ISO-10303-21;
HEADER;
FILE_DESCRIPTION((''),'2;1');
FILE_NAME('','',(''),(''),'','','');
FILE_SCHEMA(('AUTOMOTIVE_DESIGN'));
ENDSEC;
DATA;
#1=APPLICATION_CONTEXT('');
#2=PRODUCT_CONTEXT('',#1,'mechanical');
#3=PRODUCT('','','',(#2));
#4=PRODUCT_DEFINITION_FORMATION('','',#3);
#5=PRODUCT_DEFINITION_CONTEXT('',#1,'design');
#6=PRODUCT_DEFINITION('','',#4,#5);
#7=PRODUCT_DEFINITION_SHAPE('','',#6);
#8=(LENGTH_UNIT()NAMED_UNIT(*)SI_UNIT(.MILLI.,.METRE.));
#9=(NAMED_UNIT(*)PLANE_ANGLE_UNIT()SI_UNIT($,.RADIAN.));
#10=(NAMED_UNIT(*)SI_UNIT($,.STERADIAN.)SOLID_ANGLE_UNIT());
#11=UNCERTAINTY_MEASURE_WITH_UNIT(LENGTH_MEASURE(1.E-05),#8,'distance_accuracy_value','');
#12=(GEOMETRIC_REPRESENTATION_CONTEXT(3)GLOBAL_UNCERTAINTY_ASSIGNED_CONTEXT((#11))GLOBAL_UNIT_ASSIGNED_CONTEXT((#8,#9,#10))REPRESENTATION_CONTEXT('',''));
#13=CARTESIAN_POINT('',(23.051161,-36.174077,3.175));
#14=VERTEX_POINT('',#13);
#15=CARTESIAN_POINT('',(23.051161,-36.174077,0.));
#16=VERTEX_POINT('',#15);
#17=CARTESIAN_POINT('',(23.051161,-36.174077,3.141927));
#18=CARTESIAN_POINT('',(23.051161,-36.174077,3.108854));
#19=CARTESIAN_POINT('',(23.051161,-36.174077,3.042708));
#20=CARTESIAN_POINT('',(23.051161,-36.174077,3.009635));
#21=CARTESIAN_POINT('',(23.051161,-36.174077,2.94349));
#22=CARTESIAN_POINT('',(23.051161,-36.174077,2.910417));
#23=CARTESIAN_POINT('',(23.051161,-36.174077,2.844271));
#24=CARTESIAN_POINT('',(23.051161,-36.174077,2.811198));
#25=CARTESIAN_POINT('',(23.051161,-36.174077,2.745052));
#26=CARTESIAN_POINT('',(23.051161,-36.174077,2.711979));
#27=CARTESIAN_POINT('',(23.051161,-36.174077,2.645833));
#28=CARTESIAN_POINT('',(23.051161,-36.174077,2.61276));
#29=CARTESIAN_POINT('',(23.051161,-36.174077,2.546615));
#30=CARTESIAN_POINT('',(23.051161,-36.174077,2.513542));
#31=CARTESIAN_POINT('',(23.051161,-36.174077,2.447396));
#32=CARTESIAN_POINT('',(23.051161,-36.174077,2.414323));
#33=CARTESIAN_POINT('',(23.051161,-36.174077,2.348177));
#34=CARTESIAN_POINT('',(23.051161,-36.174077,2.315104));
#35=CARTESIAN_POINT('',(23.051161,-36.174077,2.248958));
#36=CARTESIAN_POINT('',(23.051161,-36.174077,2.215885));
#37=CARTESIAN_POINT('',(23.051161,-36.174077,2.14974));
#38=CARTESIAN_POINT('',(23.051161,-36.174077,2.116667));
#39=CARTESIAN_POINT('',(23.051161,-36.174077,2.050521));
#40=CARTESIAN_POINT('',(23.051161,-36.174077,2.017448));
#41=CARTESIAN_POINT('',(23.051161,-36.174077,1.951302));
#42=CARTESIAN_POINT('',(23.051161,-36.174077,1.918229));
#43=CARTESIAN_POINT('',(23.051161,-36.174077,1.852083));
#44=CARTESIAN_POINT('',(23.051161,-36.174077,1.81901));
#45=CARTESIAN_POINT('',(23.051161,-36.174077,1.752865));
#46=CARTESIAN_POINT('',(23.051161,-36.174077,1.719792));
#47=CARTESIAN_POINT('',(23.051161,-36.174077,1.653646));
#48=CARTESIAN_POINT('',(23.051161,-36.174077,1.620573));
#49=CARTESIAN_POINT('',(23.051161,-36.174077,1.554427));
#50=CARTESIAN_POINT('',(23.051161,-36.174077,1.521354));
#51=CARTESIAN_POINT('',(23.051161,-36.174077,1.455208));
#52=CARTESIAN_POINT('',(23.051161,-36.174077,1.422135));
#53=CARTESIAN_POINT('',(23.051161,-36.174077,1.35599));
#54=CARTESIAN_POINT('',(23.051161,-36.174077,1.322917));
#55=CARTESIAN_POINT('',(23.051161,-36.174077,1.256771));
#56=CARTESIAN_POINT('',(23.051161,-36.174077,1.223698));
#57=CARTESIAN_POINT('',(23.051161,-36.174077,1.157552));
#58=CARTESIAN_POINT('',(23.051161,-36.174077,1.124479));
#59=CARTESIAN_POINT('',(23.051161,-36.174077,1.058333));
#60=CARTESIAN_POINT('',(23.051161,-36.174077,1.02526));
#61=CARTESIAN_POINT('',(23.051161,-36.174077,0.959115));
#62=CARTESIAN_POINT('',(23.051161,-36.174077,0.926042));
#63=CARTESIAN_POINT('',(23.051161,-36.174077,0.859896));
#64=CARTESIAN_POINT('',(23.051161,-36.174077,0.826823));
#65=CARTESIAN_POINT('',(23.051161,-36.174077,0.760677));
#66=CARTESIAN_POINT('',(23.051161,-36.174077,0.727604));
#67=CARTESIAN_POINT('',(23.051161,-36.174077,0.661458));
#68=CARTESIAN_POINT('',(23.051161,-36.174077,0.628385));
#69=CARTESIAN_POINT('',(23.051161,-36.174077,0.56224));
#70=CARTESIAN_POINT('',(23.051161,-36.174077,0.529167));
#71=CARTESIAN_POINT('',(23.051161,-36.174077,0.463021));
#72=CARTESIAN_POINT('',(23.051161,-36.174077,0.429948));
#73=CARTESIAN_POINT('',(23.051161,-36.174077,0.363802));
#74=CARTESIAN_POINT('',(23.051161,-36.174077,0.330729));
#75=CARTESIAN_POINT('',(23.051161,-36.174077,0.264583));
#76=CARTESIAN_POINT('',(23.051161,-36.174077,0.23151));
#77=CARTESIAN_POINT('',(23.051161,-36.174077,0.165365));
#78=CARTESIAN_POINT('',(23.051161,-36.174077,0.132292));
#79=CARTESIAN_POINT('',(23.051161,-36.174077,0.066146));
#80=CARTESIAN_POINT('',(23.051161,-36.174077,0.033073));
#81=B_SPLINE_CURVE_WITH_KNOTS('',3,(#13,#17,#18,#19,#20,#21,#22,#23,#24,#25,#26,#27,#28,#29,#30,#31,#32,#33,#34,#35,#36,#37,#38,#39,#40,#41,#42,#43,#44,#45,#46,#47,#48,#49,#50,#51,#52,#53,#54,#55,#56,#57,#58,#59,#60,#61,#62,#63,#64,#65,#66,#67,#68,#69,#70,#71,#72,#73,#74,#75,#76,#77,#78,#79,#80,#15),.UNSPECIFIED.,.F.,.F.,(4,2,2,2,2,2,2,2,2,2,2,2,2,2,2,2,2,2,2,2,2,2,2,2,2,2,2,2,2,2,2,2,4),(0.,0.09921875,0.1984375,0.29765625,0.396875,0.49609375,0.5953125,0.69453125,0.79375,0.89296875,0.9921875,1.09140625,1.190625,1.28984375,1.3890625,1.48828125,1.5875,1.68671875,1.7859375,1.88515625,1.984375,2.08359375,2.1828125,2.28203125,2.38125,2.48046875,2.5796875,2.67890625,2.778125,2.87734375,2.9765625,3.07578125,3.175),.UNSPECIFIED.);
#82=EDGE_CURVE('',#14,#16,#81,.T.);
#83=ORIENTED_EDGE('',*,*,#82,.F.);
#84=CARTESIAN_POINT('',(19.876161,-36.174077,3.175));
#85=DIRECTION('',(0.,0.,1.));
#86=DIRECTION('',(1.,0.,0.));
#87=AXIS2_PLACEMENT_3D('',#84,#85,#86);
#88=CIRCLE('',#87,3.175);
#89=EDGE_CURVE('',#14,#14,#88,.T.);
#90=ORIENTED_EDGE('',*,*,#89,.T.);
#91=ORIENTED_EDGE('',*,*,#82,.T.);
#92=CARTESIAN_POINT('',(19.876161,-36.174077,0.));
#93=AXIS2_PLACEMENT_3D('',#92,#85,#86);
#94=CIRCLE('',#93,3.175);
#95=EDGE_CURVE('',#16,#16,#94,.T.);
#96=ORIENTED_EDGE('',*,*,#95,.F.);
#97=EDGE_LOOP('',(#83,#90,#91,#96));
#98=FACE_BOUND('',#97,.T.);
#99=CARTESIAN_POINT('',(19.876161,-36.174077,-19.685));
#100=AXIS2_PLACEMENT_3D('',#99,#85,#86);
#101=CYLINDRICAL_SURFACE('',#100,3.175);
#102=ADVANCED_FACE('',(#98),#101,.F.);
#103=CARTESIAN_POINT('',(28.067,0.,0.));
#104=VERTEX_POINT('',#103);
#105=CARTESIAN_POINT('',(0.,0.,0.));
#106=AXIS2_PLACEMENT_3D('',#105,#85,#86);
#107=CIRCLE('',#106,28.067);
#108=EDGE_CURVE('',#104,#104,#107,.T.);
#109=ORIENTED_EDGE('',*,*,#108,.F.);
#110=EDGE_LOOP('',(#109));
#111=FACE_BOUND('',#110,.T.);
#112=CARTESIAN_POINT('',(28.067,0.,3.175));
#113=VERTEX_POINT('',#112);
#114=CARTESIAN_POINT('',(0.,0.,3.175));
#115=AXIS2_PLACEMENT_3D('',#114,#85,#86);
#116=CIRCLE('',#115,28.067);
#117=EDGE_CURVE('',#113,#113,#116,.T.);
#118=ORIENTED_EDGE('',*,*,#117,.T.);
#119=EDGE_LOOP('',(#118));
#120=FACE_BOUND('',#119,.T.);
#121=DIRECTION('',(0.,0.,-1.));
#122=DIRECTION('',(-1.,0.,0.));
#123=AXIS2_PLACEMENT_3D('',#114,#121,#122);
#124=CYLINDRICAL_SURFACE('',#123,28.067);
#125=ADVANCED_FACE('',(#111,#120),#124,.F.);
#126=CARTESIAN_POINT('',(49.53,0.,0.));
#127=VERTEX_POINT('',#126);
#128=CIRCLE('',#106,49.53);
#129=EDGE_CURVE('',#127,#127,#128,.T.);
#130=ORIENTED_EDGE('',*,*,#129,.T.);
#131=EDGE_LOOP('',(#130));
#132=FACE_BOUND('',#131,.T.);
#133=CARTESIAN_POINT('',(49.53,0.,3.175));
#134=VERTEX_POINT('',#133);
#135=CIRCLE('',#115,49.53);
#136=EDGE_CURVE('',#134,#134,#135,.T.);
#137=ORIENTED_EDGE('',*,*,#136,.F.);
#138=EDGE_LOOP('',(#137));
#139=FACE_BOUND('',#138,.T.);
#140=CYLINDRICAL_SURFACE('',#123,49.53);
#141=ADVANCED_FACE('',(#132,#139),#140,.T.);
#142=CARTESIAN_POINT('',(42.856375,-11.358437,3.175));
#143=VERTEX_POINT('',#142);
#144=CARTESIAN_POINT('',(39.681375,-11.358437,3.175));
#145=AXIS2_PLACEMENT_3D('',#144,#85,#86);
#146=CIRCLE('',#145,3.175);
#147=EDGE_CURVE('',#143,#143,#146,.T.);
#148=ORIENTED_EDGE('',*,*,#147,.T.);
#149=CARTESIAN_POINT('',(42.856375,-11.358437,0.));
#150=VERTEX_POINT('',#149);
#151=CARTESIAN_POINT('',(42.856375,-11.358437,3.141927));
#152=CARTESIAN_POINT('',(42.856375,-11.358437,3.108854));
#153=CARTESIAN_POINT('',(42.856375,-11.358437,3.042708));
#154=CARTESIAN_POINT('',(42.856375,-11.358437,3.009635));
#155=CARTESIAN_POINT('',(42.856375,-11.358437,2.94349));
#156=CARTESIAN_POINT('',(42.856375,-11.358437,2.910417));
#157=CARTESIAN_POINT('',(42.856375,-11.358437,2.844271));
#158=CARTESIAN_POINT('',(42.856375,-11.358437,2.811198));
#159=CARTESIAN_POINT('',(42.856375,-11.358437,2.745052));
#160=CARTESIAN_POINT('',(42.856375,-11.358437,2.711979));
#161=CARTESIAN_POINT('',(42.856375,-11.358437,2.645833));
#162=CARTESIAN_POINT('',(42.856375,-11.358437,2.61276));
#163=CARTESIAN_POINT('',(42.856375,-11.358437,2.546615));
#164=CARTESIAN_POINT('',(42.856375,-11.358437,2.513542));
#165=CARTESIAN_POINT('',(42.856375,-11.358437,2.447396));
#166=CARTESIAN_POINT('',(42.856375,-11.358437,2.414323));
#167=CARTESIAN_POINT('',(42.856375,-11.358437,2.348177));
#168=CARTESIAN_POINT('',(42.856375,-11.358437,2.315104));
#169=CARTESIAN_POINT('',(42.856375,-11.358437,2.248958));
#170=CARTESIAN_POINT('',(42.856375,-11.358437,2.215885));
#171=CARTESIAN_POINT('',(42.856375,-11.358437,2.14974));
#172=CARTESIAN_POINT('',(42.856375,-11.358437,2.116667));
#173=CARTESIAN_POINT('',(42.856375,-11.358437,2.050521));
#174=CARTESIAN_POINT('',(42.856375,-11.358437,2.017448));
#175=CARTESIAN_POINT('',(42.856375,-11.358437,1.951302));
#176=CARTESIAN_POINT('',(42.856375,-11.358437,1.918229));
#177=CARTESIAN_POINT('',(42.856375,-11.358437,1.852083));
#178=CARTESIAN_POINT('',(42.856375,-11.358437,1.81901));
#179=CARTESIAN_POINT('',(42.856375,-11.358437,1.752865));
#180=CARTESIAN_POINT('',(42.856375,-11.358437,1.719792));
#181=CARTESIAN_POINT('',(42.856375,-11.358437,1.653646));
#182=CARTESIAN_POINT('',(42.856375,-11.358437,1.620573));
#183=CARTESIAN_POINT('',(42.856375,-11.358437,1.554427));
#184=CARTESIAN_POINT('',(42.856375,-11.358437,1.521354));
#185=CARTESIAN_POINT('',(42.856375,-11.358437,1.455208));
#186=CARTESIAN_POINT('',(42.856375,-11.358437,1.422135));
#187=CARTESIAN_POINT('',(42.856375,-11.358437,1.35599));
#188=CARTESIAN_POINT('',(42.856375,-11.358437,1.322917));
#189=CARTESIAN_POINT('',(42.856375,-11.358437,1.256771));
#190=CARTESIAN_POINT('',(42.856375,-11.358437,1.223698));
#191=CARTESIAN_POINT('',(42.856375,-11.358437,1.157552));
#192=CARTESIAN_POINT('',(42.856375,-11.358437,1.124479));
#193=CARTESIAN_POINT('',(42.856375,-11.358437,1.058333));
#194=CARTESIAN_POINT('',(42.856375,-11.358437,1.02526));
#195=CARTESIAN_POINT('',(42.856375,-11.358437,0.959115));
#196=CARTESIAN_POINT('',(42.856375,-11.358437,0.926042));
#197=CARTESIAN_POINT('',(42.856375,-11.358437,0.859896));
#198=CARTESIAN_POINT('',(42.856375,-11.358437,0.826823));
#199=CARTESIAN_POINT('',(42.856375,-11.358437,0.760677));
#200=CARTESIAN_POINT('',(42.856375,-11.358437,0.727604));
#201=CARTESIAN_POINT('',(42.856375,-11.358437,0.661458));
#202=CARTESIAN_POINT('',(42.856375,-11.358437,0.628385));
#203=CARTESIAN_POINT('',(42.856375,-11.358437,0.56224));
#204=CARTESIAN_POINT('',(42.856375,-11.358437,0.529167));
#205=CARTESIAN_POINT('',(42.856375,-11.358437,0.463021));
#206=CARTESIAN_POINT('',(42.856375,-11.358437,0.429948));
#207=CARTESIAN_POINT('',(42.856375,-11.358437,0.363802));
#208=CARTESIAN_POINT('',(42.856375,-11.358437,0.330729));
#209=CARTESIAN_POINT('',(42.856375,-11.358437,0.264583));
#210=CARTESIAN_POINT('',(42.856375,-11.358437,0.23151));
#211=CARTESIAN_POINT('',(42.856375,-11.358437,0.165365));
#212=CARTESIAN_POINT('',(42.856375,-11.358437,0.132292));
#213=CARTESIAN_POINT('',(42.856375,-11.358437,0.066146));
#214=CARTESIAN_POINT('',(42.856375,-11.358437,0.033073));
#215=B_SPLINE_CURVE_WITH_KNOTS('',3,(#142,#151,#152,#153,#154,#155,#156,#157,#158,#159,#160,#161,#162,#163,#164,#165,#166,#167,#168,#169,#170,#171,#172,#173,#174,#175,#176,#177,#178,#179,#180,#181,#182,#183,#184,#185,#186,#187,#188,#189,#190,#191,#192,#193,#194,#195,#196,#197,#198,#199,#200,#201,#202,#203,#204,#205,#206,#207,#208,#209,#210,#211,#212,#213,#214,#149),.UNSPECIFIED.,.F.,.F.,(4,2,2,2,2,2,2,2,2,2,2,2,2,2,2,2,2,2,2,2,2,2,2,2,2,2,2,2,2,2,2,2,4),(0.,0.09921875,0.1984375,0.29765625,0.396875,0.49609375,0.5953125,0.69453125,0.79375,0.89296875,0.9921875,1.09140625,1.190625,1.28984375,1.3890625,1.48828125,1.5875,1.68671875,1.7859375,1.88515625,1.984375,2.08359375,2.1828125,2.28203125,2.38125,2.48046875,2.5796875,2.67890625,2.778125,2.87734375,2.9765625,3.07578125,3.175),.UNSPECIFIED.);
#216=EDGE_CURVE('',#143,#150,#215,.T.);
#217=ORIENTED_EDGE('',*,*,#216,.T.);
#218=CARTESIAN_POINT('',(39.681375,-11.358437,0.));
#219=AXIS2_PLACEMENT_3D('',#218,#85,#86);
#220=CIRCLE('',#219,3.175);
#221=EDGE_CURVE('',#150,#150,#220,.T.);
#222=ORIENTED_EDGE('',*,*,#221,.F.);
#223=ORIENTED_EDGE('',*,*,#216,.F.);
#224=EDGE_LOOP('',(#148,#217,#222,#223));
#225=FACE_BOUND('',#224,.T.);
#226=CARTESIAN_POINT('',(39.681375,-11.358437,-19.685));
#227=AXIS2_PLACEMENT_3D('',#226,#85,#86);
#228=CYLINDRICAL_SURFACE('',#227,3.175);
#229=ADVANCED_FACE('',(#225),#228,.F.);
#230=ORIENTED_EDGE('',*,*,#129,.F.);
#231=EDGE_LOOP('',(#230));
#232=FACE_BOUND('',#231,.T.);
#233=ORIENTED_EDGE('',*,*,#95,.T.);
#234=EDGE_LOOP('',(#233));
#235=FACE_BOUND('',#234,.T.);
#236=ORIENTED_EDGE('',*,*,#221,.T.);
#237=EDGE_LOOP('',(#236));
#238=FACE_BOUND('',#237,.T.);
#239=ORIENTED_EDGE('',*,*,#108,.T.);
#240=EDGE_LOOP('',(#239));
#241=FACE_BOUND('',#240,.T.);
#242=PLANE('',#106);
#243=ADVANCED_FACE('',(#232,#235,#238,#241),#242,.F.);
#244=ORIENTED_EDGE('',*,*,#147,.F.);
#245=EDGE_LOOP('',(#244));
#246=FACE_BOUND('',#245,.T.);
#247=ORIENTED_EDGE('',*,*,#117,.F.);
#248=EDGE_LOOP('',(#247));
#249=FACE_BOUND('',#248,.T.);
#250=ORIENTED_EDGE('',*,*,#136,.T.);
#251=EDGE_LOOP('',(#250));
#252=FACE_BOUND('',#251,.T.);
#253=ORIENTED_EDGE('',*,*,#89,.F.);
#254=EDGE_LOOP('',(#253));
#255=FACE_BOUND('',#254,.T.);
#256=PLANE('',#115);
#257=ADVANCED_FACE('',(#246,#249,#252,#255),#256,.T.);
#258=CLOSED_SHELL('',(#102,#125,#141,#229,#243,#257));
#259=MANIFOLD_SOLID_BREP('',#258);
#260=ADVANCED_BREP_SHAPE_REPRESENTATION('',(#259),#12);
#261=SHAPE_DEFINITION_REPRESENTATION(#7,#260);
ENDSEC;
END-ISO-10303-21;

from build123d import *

# Parameters (mm, degrees)
SKETCH1_R           = 49.53
SKETCH1_R_2         = 28.067
BOSS_EXTRUDE1_DEPTH = 3.175
SKETCH2_R           = 3.175
CUT_EXTRUDE1_DEPTH  = 22.86


with BuildPart() as part:
    # Sketch1 → Boss-Extrude1 (new body)
    with BuildSketch(Plane.XY):
        Circle(SKETCH1_R)
        Circle(SKETCH1_R_2, mode=Mode.SUBTRACT)
    extrude(amount=BOSS_EXTRUDE1_DEPTH)

    # Sketch2 → Cut-Extrude1 (cut)
    with BuildSketch(Plane(origin=(182.011125234, -492.106103264, 3.175), x_dir=(0.6237862645633958, 0.7815949693684352, 0), z_dir=(0, 0, 1))):
        with Locations(Location((255.216614788, 411.128007776, 0), (0, 0, 308.593157846))):
            Circle(SKETCH2_R)
        with Locations(Location((286.966614788, 411.128007776, 0), (0, 0, 308.593157846))):
            Circle(SKETCH2_R)
    extrude(amount=-CUT_EXTRUDE1_DEPTH, mode=Mode.SUBTRACT)


solid = part.part
